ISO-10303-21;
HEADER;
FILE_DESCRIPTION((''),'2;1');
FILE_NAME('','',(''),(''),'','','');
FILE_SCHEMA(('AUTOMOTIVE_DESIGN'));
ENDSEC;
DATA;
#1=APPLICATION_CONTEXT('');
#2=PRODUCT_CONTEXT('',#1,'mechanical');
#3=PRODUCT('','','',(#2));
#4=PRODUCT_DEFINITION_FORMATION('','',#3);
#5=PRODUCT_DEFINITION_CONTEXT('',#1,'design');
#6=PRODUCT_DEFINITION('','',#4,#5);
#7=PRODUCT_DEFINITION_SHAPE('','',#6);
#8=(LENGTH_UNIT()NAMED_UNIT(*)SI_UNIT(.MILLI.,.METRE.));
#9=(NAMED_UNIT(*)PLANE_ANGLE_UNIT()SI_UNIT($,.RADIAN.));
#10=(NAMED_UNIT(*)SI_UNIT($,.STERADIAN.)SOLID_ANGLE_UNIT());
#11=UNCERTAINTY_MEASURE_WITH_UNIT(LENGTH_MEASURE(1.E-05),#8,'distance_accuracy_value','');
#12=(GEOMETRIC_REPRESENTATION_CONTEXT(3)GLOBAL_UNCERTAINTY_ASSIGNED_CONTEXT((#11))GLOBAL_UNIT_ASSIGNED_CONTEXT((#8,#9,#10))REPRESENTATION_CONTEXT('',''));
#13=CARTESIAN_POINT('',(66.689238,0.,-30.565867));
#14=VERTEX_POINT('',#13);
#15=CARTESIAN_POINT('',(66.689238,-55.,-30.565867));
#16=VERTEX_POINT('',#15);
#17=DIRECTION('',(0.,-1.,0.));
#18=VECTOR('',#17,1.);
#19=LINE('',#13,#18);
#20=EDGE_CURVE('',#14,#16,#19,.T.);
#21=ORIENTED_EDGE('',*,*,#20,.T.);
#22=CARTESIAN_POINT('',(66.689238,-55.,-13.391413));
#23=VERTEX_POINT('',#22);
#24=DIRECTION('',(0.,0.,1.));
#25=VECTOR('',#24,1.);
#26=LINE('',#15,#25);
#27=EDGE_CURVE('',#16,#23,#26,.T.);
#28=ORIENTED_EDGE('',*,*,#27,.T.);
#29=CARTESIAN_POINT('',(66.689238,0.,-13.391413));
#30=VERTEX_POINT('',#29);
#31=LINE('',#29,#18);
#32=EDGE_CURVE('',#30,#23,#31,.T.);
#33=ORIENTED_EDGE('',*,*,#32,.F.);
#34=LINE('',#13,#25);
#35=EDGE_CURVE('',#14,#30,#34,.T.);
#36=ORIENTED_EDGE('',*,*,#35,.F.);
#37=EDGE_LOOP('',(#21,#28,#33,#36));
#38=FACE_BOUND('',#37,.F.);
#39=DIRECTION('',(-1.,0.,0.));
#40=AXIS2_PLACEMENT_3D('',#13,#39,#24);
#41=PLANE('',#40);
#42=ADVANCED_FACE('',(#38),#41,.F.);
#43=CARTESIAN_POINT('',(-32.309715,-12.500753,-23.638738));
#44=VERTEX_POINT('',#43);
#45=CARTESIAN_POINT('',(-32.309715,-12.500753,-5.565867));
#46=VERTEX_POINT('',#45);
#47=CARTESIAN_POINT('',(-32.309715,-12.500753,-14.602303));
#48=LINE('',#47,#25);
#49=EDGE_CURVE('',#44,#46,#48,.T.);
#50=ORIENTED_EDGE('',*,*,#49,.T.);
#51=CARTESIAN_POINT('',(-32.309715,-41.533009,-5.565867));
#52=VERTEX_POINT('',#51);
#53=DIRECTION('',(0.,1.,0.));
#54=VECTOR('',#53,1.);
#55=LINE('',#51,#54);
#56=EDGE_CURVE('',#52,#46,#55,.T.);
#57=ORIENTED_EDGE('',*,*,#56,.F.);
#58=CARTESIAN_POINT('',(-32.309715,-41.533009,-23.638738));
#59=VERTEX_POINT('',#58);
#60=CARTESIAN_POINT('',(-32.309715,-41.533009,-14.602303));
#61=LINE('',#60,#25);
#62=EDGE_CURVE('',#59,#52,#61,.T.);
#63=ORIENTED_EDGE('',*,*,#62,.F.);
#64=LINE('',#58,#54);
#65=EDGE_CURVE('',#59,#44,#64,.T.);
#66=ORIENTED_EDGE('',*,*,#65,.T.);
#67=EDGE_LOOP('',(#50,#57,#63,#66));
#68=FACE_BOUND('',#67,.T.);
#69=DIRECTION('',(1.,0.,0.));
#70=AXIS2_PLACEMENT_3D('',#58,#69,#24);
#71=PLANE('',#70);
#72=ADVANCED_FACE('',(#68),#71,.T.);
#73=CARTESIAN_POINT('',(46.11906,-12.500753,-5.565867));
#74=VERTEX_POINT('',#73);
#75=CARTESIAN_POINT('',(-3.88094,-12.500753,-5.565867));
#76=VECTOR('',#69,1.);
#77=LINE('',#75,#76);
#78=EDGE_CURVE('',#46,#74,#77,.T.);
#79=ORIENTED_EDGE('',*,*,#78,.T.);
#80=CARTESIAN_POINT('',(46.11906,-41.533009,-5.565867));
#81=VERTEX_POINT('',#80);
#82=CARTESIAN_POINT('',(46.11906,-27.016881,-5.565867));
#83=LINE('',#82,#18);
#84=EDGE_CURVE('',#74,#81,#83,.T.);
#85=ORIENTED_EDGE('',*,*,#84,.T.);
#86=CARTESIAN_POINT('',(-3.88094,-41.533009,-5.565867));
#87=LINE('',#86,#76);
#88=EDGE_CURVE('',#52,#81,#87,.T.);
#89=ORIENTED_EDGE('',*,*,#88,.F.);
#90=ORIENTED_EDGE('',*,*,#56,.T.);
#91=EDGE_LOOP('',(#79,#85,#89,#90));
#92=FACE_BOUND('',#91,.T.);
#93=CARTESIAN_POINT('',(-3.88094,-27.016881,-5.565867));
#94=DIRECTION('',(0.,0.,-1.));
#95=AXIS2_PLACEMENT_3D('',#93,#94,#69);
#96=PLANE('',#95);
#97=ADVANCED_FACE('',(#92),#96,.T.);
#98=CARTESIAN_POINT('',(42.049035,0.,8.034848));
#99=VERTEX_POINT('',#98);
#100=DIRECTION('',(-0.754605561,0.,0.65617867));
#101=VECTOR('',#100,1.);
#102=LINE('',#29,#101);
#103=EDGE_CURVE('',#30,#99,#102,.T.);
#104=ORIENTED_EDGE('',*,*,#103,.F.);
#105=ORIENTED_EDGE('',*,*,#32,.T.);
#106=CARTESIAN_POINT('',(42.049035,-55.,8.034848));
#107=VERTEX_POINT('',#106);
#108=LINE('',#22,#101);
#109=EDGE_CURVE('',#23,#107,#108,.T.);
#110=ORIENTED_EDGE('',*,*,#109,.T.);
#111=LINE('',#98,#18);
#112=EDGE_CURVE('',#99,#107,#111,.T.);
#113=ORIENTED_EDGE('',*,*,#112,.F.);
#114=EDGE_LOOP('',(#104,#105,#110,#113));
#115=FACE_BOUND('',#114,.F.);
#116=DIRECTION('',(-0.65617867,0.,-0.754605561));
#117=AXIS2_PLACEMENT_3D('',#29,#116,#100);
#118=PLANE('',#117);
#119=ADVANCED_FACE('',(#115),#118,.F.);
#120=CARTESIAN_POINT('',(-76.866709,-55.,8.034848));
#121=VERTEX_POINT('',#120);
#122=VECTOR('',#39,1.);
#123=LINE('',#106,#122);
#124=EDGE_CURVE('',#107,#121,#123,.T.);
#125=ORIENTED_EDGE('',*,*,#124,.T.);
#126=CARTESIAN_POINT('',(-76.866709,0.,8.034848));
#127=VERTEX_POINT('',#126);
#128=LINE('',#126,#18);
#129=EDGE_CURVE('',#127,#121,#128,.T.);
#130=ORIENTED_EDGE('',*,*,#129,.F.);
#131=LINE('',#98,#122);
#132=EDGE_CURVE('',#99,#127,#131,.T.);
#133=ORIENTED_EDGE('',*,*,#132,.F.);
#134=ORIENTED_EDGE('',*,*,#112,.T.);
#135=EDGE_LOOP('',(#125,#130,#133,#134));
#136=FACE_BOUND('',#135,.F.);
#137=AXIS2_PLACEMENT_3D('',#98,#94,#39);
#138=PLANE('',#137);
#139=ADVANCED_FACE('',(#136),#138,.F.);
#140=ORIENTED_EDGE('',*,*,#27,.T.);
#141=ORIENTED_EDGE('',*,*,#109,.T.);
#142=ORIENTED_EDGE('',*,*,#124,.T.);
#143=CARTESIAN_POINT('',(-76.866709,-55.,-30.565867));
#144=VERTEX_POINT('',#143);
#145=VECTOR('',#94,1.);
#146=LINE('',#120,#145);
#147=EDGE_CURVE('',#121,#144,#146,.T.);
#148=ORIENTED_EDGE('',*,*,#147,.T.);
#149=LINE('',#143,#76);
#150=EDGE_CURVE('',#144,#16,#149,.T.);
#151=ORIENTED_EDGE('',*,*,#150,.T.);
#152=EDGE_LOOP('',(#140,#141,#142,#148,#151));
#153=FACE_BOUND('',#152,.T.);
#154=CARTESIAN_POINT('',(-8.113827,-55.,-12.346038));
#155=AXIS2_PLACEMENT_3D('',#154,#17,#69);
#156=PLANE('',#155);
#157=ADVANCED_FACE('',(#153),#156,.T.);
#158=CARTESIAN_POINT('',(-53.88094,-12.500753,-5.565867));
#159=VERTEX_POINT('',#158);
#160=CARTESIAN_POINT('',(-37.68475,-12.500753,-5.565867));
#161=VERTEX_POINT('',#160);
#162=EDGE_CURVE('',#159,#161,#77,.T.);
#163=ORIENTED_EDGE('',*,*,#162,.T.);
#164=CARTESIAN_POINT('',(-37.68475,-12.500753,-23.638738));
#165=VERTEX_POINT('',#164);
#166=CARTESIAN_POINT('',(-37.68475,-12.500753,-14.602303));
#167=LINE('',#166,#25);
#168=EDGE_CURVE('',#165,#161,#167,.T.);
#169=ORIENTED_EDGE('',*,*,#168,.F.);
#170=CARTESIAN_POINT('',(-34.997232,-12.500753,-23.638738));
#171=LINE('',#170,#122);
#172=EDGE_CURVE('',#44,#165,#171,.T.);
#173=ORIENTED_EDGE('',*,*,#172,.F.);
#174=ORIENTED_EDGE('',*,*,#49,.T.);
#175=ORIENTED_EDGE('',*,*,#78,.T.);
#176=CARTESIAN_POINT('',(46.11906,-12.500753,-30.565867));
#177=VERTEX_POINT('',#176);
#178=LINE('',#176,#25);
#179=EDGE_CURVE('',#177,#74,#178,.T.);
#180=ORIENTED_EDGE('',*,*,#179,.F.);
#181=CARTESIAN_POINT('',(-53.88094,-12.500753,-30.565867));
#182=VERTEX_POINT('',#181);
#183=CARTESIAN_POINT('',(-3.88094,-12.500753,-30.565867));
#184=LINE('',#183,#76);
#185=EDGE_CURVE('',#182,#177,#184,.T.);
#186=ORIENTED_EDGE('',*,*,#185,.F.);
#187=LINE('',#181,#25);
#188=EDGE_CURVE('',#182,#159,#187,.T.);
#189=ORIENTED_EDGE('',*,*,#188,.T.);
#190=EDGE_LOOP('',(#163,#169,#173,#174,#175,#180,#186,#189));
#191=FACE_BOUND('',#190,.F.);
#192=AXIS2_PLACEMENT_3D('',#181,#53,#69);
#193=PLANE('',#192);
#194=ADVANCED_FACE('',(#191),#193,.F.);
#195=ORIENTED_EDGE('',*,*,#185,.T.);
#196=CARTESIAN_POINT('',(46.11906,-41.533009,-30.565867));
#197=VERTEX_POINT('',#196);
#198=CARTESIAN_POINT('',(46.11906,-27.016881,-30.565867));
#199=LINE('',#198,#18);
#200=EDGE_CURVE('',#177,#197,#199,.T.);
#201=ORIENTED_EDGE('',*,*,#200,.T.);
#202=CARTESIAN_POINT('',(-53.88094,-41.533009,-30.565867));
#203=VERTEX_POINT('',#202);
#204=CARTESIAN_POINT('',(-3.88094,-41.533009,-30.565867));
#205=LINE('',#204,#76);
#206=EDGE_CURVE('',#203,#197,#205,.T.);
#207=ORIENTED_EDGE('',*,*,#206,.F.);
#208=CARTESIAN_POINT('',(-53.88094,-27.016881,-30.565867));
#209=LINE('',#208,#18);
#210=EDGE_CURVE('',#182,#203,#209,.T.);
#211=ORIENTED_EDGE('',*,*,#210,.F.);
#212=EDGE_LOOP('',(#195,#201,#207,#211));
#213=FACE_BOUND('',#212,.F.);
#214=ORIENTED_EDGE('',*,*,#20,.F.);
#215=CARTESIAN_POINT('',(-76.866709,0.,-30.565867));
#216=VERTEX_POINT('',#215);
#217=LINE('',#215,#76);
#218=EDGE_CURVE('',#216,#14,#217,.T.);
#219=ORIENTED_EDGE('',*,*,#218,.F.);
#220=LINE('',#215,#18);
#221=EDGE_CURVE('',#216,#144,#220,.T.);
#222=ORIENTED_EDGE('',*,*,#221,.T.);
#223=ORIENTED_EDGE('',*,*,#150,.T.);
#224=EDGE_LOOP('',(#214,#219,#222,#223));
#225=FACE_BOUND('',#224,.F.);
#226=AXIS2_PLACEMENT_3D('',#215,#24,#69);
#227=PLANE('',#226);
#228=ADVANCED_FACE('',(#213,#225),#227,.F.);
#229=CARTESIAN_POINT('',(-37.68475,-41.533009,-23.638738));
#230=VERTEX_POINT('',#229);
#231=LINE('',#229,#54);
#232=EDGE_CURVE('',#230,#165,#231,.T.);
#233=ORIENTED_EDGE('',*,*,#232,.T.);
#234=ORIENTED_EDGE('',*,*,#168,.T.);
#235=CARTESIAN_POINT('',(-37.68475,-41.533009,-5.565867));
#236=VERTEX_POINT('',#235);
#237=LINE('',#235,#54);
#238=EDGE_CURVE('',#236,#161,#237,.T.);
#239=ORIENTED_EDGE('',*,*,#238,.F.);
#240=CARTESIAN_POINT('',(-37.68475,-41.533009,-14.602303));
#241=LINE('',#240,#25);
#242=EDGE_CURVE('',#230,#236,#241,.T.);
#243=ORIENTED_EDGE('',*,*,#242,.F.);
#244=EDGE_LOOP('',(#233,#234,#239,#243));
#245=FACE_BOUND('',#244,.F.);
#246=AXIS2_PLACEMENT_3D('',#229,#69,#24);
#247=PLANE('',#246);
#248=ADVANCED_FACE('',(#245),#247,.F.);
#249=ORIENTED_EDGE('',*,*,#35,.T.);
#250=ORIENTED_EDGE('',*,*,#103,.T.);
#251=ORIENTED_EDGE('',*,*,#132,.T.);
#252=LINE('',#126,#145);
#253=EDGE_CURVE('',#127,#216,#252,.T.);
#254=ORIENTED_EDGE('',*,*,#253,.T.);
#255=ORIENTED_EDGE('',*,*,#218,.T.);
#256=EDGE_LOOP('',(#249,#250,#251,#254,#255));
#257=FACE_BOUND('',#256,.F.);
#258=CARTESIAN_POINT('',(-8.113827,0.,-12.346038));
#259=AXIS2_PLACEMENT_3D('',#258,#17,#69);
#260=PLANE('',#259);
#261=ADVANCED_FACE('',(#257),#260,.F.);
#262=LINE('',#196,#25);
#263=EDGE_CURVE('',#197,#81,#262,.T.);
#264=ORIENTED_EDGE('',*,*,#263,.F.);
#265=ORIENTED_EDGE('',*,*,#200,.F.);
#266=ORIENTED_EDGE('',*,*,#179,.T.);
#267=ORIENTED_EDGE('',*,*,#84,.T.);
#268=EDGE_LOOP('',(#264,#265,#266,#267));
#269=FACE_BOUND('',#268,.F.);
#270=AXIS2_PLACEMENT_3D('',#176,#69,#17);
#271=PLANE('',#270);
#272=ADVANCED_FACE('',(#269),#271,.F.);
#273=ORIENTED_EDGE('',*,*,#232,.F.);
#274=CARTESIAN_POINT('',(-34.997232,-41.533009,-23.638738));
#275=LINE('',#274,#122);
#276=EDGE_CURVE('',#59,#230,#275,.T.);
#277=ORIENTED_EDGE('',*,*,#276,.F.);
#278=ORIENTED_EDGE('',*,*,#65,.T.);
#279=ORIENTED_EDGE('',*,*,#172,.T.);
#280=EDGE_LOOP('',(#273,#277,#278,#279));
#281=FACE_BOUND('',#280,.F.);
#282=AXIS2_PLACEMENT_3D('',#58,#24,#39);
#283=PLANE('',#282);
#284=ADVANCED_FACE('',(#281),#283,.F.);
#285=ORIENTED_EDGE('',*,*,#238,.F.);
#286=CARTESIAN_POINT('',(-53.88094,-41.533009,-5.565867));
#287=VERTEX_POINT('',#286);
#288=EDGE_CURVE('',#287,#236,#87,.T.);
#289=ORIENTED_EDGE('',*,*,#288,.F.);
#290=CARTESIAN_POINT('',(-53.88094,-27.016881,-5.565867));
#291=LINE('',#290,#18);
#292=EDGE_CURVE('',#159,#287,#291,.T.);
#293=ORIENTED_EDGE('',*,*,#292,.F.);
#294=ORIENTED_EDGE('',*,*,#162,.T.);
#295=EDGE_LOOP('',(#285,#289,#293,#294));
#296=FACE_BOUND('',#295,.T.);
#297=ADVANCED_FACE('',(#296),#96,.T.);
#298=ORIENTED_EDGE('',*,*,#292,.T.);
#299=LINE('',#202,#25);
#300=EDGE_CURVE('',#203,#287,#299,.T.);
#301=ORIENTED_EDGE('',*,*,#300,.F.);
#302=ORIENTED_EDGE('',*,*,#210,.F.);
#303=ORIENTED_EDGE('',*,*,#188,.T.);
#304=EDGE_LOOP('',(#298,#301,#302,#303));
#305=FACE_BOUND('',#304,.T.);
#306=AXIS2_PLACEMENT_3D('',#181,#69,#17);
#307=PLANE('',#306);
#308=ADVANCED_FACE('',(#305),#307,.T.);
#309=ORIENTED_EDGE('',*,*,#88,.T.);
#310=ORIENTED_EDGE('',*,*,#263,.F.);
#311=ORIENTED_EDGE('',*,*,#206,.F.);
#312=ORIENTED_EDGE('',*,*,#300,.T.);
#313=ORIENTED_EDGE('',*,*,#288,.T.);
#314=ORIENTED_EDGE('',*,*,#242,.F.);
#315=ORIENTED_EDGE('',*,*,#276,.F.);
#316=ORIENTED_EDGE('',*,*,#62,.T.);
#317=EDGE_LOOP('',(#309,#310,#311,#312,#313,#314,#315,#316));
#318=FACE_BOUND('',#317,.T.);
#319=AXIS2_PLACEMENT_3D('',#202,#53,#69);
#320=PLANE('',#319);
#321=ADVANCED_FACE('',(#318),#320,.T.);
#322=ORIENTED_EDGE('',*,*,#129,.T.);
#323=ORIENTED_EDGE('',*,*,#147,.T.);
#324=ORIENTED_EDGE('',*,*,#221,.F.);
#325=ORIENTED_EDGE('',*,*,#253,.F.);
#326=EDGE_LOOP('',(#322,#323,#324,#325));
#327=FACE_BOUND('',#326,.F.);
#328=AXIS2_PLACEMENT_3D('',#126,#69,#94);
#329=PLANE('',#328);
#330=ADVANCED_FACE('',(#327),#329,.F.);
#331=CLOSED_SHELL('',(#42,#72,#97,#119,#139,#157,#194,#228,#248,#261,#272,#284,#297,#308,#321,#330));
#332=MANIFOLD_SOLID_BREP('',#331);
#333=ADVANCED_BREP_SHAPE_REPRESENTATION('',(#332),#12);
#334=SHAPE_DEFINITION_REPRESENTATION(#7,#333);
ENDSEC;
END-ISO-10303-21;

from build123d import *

# Parameters (mm, degrees)
F1_DEPTH = 55
F2_W     = 100
F2_H     = 29.0322554066
F3_DEPTH = 25
F4_W     = 5.3750351071
F4_H     = 18.072870967
F5_DEPTH = 29.0322554066


with BuildPart() as f1:
    # F0 (on Front) → F1 (new body)
    with BuildSketch(Plane.XZ):
        Polygon((-76.8667086959, -30.5658673523), (66.6892379522, -30.5658673523), (66.6892379522, -13.3914127946), (42.04903543, 8.0348476768), (-76.8667086959, 8.0348476768), align=None)
    extrude(amount=F1_DEPTH)

    # F2 (on face) → F3 (cut)
    with BuildSketch(Plane(origin=(0, 0, -30.5658673523), x_dir=(1, 0, 0), z_dir=(0, 0, -1))):
        with Locations((-3.8809403777, 27.016880922)):
            Rectangle(F2_W, F2_H)
    extrude(amount=-F3_DEPTH, mode=Mode.SUBTRACT)

    # F4 (on face) → F5 (join, through all)
    with BuildSketch(Plane(origin=(0, -41.5330086253, 0), x_dir=(-1, 0, 0), z_dir=(0, 1, 0))):
        with Locations((34.9972322583, -14.6023028358)):
            Rectangle(F4_W, F4_H)
    extrude(amount=F5_DEPTH)


solid = f1.part
